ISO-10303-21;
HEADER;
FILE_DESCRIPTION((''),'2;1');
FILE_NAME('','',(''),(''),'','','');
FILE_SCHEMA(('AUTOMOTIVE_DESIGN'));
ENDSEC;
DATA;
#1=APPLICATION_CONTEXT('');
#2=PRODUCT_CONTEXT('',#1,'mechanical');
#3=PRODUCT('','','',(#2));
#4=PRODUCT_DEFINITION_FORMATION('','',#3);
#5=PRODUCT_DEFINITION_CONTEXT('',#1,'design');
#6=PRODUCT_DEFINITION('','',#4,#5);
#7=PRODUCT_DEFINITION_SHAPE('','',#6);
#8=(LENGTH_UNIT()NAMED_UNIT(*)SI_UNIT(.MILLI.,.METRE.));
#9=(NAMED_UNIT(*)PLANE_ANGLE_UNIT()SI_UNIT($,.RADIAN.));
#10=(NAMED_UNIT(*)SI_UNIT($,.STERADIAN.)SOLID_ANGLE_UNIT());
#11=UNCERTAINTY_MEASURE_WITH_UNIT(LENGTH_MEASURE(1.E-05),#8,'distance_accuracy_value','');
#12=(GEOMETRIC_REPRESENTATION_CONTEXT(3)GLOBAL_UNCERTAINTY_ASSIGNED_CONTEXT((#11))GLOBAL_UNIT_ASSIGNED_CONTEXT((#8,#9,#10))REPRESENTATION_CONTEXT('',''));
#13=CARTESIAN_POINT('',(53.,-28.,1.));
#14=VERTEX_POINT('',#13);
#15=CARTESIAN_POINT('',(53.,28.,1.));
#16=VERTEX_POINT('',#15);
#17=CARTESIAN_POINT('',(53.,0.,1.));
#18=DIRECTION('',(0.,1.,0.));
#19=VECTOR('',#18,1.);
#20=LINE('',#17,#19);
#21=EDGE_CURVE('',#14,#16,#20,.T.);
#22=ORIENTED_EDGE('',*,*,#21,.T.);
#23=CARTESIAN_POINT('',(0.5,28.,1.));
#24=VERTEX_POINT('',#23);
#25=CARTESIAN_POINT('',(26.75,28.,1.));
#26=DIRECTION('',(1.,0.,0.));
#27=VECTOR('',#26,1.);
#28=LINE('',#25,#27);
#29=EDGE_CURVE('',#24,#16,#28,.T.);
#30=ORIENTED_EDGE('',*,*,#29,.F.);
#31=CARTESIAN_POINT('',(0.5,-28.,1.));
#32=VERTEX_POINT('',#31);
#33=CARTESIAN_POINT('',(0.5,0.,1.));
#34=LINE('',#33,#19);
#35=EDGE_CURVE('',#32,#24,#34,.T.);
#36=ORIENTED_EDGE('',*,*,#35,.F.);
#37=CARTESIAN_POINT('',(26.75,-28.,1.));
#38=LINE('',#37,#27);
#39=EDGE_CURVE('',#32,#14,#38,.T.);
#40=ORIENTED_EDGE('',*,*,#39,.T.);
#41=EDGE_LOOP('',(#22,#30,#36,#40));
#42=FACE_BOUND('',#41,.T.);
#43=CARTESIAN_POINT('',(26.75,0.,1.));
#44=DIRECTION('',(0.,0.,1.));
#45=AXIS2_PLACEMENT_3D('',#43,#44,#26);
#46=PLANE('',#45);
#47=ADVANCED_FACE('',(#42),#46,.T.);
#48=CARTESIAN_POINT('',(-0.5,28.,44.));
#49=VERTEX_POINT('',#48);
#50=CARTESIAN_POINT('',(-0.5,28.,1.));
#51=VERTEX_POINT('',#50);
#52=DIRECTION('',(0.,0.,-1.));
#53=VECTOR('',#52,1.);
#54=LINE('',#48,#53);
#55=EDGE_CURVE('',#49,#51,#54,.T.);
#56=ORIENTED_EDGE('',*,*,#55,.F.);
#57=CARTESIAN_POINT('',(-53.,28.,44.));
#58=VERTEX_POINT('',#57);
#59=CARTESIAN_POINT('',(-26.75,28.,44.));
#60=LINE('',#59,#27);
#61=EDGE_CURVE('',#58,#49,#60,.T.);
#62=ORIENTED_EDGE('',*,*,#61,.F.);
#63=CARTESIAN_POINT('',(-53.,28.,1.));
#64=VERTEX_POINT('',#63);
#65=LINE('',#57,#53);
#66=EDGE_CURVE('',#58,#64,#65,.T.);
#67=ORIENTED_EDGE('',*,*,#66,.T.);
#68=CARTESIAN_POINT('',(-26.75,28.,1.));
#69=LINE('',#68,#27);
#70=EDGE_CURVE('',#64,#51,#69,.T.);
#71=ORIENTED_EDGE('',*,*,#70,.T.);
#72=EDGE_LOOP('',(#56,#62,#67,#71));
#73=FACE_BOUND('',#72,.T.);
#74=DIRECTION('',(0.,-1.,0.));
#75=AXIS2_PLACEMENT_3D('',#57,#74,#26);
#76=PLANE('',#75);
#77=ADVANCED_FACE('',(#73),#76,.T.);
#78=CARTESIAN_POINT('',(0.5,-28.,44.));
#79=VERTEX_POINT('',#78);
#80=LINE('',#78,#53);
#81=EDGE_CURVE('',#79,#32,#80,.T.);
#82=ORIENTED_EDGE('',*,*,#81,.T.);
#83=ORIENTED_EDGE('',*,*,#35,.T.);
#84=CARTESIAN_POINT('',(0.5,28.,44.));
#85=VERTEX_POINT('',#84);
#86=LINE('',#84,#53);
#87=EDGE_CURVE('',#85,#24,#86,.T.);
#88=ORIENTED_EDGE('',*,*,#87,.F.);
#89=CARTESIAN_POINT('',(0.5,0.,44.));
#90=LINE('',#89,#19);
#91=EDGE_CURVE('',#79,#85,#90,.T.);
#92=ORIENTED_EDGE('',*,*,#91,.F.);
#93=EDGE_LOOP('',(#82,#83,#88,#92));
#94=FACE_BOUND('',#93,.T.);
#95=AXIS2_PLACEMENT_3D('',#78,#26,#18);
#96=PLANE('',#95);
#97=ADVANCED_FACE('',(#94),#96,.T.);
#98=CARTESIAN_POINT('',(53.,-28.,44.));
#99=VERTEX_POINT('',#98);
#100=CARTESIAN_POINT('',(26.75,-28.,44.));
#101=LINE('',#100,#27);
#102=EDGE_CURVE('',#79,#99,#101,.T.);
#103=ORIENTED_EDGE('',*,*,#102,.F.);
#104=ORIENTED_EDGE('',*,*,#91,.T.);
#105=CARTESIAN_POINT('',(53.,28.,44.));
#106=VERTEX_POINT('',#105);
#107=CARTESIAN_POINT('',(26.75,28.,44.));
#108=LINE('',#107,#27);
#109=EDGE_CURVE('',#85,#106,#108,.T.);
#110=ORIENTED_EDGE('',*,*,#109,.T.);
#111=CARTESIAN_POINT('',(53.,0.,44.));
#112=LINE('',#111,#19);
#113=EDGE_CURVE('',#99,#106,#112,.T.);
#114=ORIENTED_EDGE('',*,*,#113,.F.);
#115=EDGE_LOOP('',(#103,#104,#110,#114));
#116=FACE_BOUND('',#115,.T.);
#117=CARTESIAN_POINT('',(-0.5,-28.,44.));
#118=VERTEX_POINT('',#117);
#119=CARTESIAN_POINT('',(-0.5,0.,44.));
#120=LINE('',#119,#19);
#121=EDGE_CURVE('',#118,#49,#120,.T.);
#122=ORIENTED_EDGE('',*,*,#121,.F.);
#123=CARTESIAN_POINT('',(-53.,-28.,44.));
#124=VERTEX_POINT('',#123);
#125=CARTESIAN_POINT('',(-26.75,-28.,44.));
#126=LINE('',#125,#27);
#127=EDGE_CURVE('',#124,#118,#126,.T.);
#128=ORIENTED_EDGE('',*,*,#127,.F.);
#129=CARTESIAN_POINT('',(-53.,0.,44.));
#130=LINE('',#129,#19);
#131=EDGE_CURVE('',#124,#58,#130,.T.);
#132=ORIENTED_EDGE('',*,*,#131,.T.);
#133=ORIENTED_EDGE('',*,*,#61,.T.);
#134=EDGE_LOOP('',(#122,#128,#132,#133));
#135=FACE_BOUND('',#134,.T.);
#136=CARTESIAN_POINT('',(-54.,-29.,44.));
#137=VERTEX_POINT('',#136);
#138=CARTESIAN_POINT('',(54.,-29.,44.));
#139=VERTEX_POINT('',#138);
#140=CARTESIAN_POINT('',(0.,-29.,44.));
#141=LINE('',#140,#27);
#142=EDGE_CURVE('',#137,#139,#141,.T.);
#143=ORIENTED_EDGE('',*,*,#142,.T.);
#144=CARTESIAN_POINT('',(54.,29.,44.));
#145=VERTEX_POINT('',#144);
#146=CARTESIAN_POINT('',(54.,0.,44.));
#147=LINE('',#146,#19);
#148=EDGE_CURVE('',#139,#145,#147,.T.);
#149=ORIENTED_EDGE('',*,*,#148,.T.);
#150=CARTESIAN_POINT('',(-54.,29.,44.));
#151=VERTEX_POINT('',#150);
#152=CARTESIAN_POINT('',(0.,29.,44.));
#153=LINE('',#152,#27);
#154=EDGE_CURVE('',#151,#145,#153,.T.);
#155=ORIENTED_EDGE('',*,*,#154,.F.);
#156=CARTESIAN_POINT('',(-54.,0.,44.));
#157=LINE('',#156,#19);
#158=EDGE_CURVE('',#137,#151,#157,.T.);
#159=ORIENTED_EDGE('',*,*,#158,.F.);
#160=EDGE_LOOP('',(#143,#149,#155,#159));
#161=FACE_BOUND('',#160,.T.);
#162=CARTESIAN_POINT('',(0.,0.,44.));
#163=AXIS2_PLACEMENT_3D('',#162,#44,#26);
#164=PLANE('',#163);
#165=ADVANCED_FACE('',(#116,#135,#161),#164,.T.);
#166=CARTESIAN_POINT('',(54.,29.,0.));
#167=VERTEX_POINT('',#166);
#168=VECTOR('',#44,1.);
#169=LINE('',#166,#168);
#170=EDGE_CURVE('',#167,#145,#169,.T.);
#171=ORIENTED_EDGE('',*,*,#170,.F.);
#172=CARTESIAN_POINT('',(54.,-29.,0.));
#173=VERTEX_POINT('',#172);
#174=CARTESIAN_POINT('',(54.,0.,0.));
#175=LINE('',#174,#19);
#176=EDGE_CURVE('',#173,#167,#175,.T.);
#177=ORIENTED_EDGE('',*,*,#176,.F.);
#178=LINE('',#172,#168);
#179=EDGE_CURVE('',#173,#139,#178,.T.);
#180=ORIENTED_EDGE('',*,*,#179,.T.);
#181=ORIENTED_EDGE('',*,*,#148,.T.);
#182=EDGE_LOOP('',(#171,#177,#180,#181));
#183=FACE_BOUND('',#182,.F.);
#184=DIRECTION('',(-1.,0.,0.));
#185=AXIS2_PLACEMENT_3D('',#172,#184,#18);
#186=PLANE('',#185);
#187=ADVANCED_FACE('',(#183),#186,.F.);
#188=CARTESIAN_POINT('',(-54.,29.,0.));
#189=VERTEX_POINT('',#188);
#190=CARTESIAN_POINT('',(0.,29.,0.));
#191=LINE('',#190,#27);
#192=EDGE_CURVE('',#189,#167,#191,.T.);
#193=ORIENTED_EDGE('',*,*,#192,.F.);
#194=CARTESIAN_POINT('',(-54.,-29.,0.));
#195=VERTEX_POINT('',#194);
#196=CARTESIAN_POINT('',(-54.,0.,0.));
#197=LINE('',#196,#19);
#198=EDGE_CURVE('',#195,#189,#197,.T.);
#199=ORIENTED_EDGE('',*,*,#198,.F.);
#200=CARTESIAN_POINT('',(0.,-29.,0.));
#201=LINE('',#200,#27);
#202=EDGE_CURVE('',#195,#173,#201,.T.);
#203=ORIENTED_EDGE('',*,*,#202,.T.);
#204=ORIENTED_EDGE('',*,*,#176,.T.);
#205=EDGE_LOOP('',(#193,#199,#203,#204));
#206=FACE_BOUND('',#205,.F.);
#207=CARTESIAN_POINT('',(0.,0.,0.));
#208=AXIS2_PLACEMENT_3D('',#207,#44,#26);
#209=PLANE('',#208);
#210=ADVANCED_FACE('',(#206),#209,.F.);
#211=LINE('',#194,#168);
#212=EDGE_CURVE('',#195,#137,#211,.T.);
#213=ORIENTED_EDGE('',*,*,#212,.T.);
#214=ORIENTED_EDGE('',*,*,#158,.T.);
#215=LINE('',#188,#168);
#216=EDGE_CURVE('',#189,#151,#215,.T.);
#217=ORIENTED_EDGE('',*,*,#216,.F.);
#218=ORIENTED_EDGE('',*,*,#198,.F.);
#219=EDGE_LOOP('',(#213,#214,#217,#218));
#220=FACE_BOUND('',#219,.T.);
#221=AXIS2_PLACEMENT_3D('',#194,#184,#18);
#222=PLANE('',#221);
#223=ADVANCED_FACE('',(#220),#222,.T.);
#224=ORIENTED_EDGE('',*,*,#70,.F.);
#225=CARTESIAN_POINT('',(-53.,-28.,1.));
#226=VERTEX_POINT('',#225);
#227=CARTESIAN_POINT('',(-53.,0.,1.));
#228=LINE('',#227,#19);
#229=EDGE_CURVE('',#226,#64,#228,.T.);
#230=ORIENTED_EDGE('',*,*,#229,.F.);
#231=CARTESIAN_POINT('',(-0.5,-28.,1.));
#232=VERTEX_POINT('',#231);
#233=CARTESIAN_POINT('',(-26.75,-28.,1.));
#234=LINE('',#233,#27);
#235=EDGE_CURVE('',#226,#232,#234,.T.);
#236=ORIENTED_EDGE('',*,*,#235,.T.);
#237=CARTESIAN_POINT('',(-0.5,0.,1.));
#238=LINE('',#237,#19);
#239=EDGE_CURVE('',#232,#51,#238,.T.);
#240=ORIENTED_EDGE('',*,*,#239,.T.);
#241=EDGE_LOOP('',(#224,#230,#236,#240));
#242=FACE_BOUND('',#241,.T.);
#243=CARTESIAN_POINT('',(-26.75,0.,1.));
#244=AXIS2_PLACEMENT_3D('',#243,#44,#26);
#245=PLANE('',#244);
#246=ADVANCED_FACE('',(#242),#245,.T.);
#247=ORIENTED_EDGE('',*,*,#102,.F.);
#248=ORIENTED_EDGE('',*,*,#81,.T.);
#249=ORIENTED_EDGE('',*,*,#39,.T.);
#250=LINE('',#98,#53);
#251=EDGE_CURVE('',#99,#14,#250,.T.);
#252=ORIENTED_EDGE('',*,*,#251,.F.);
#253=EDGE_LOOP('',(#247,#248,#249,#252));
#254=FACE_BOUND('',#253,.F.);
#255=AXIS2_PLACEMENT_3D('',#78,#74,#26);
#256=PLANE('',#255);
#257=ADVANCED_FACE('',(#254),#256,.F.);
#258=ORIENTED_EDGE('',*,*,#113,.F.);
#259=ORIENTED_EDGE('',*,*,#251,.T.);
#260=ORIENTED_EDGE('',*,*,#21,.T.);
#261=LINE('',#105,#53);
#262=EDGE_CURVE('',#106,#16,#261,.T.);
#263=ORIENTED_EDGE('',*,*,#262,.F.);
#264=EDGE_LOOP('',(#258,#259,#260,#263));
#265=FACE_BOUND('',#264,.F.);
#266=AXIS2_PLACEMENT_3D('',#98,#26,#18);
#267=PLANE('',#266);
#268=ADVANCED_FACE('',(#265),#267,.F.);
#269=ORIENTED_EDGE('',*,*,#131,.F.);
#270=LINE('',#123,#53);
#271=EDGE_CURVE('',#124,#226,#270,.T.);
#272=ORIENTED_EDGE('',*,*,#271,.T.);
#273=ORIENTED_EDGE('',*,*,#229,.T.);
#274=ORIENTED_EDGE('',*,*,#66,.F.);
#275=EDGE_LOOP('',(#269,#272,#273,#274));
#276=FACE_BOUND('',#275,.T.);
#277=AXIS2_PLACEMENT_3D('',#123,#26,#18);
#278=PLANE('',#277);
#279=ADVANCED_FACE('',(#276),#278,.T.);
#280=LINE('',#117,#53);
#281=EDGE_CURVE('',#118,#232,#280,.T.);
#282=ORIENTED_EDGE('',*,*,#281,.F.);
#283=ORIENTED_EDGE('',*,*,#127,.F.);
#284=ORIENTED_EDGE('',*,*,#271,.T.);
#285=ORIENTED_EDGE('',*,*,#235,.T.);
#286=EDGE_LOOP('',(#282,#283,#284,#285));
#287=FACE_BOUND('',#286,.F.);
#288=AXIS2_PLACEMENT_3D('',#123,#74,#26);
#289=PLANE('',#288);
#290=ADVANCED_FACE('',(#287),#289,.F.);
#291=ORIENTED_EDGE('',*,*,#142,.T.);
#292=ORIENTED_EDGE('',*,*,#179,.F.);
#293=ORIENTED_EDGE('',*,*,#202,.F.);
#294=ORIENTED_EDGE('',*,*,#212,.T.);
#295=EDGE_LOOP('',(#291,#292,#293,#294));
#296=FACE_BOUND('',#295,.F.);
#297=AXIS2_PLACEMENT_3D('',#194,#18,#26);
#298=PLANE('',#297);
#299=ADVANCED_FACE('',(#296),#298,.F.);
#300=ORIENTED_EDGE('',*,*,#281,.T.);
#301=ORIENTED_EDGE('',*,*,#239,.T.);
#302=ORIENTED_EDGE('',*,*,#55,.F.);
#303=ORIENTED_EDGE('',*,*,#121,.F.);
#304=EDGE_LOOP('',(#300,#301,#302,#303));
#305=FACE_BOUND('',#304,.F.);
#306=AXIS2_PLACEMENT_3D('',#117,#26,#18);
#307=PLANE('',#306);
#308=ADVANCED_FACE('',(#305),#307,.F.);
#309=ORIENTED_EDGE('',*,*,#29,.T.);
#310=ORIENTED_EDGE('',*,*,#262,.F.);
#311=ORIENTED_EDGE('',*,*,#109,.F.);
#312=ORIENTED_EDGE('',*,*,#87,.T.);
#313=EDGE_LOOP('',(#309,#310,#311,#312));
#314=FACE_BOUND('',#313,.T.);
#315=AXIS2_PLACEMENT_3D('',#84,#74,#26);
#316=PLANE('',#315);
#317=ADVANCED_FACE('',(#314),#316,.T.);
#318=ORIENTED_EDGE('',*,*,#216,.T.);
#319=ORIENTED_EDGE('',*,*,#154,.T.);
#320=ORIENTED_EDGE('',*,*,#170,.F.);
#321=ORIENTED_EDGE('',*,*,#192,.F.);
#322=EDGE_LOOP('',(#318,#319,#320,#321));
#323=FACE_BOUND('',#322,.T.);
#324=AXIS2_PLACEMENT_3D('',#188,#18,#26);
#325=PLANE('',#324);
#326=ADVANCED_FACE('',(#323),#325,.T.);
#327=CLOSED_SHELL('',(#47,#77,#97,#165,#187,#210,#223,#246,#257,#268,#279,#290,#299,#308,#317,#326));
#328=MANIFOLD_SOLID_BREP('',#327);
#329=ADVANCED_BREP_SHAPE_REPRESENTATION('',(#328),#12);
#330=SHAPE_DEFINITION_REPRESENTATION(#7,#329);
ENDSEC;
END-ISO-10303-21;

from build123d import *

# Parameters (mm, degrees)
SKETCH_W     = 108
SKETCH_H     = 58
PAD_DEPTH    = 44
SKETCH001_W  = 52.5
SKETCH001_H  = 56
POCKET_DEPTH = 43


with BuildPart() as part:
    # Sketch → Pad (new body)
    with BuildSketch(Plane.XY):
        Rectangle(SKETCH_W, SKETCH_H)
    extrude(amount=PAD_DEPTH)

    # Sketch001 (on Face6 of Pad) → Pocket (cut)
    with BuildSketch(Plane.XY.offset(44)):
        with Locations((-26.75, 0)):
            Rectangle(SKETCH001_W, SKETCH001_H)
        with Locations((26.75, 0)):
            Rectangle(SKETCH001_W, SKETCH001_H)
    extrude(amount=-POCKET_DEPTH, mode=Mode.SUBTRACT)


solid = part.part
